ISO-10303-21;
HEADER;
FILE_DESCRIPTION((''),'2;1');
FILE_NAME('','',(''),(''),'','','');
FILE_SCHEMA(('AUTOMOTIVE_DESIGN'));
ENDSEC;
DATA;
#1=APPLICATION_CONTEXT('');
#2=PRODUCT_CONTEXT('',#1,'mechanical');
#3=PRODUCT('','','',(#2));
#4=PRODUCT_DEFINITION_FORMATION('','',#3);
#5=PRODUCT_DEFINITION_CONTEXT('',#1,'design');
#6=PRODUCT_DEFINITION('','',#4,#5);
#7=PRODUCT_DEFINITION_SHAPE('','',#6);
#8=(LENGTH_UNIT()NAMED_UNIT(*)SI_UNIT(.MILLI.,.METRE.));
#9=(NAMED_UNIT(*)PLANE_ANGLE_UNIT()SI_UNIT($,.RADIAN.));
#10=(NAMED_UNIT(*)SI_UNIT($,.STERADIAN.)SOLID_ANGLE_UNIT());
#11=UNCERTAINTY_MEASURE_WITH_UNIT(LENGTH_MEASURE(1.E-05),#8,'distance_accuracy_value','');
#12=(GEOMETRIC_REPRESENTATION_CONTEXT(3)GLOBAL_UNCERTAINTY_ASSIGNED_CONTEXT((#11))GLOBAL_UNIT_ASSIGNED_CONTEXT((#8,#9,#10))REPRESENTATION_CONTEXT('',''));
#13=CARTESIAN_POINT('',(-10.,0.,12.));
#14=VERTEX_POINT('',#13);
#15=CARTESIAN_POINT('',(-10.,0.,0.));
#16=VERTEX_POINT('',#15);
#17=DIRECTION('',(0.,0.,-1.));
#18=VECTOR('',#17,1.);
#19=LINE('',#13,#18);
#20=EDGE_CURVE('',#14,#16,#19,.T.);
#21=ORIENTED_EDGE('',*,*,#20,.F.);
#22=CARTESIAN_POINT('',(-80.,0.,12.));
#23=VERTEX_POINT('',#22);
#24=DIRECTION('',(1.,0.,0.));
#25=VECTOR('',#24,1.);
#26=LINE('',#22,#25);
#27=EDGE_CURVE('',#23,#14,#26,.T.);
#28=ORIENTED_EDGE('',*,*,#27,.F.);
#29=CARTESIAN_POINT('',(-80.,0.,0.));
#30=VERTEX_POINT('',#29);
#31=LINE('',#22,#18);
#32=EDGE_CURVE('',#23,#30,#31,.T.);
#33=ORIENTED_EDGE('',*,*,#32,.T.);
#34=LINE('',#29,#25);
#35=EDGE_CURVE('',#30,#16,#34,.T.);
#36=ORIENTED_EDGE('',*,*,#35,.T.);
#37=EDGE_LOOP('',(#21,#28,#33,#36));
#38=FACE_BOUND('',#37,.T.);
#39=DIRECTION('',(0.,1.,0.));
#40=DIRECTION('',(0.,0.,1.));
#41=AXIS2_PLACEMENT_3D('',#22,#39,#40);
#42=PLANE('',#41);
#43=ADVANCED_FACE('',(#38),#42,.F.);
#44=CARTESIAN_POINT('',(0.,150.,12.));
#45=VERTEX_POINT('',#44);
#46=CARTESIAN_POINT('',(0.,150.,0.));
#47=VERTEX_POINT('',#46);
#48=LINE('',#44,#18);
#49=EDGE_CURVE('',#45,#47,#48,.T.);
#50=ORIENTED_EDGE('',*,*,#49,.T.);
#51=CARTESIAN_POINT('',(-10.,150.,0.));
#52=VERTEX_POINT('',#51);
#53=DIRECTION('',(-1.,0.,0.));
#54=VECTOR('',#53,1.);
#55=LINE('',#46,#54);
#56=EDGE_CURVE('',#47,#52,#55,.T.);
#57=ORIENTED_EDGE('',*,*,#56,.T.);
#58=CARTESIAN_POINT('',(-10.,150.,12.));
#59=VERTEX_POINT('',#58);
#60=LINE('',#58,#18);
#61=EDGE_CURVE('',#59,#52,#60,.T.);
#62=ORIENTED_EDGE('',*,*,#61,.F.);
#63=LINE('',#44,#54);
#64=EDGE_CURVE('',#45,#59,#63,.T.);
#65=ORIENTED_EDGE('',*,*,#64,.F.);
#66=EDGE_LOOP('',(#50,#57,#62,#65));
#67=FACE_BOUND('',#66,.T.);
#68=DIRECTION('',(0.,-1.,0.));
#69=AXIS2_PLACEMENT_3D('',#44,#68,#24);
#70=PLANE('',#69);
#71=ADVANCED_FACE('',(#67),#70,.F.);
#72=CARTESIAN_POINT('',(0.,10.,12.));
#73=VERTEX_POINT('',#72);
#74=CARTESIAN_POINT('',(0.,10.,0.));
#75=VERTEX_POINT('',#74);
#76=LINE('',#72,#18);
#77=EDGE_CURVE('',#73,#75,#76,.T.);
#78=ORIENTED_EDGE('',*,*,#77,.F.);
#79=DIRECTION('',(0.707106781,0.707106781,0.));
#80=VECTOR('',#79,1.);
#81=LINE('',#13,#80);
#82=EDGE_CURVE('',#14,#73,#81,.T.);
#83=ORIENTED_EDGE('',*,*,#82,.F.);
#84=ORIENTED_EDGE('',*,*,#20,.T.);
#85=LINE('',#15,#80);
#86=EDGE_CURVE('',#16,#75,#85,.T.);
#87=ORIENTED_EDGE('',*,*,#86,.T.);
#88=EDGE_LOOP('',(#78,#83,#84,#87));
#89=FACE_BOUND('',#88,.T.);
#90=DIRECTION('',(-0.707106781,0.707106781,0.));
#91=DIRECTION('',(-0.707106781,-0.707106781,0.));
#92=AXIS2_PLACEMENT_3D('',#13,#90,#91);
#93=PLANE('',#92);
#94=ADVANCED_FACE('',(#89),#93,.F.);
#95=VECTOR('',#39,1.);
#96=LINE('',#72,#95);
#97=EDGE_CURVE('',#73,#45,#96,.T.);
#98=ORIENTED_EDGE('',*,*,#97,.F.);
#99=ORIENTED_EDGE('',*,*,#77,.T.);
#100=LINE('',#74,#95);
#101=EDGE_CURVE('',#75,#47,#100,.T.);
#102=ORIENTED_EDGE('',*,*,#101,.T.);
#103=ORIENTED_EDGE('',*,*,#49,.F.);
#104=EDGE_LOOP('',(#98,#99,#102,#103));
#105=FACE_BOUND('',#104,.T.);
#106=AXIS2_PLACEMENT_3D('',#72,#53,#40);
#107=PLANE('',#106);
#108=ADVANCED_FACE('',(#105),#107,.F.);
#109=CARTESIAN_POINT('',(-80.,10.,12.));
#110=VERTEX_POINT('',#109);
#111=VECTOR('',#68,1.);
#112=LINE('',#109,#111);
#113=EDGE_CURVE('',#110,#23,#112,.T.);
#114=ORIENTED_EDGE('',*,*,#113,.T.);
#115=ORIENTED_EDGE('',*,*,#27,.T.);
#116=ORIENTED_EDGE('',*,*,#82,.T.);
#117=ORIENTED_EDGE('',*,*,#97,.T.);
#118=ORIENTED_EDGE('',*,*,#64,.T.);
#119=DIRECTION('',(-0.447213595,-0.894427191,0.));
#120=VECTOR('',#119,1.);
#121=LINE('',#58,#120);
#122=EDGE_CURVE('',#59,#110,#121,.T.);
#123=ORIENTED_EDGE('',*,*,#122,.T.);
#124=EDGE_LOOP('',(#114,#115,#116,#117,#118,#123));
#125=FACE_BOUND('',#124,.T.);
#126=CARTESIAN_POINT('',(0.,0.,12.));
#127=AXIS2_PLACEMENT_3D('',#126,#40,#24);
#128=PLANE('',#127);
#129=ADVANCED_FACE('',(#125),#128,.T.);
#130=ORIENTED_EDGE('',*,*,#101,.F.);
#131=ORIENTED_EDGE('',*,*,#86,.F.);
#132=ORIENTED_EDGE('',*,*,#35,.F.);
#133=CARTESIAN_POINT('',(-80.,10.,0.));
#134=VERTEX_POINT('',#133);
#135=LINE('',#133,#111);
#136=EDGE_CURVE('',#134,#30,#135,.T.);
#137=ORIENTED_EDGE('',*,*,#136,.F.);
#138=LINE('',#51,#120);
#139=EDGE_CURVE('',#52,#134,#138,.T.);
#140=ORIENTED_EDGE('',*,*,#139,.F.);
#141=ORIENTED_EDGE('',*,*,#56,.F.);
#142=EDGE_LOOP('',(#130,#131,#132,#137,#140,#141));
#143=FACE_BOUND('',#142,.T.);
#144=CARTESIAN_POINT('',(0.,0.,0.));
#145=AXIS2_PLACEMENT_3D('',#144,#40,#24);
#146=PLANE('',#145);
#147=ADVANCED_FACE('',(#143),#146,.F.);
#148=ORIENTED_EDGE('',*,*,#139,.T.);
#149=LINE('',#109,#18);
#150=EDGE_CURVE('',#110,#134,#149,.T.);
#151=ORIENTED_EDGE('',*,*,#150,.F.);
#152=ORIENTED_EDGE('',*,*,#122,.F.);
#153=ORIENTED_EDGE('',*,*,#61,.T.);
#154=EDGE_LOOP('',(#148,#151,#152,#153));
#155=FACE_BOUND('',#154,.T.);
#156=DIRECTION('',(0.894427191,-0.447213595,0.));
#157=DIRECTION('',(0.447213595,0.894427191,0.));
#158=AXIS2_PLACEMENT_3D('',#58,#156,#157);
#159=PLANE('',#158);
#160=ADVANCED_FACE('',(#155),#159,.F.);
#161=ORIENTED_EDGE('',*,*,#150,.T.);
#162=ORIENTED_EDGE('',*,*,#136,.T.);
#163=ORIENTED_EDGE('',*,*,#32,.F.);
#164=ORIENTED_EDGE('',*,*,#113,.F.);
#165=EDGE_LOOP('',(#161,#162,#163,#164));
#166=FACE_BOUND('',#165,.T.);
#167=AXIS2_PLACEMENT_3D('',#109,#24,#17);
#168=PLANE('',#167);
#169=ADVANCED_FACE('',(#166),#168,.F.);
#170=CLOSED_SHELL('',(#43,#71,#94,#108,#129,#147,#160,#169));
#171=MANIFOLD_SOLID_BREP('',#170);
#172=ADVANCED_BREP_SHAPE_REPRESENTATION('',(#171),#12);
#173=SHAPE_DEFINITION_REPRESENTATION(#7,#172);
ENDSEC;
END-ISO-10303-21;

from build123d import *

# Parameters (mm, degrees)
DODANIE_WYCI_GNI_CIE1_DEPTH = 12


with BuildPart() as part:
    # Szkic1 → Dodanie-wyciągnięcie1 (new body)
    with BuildSketch(Plane.XY):
        Polygon((-80, 0), (-10, 0), (0, 10), (0, 150), (-10, 150), (-80, 10), align=None)
    extrude(amount=DODANIE_WYCI_GNI_CIE1_DEPTH)


solid = part.part
